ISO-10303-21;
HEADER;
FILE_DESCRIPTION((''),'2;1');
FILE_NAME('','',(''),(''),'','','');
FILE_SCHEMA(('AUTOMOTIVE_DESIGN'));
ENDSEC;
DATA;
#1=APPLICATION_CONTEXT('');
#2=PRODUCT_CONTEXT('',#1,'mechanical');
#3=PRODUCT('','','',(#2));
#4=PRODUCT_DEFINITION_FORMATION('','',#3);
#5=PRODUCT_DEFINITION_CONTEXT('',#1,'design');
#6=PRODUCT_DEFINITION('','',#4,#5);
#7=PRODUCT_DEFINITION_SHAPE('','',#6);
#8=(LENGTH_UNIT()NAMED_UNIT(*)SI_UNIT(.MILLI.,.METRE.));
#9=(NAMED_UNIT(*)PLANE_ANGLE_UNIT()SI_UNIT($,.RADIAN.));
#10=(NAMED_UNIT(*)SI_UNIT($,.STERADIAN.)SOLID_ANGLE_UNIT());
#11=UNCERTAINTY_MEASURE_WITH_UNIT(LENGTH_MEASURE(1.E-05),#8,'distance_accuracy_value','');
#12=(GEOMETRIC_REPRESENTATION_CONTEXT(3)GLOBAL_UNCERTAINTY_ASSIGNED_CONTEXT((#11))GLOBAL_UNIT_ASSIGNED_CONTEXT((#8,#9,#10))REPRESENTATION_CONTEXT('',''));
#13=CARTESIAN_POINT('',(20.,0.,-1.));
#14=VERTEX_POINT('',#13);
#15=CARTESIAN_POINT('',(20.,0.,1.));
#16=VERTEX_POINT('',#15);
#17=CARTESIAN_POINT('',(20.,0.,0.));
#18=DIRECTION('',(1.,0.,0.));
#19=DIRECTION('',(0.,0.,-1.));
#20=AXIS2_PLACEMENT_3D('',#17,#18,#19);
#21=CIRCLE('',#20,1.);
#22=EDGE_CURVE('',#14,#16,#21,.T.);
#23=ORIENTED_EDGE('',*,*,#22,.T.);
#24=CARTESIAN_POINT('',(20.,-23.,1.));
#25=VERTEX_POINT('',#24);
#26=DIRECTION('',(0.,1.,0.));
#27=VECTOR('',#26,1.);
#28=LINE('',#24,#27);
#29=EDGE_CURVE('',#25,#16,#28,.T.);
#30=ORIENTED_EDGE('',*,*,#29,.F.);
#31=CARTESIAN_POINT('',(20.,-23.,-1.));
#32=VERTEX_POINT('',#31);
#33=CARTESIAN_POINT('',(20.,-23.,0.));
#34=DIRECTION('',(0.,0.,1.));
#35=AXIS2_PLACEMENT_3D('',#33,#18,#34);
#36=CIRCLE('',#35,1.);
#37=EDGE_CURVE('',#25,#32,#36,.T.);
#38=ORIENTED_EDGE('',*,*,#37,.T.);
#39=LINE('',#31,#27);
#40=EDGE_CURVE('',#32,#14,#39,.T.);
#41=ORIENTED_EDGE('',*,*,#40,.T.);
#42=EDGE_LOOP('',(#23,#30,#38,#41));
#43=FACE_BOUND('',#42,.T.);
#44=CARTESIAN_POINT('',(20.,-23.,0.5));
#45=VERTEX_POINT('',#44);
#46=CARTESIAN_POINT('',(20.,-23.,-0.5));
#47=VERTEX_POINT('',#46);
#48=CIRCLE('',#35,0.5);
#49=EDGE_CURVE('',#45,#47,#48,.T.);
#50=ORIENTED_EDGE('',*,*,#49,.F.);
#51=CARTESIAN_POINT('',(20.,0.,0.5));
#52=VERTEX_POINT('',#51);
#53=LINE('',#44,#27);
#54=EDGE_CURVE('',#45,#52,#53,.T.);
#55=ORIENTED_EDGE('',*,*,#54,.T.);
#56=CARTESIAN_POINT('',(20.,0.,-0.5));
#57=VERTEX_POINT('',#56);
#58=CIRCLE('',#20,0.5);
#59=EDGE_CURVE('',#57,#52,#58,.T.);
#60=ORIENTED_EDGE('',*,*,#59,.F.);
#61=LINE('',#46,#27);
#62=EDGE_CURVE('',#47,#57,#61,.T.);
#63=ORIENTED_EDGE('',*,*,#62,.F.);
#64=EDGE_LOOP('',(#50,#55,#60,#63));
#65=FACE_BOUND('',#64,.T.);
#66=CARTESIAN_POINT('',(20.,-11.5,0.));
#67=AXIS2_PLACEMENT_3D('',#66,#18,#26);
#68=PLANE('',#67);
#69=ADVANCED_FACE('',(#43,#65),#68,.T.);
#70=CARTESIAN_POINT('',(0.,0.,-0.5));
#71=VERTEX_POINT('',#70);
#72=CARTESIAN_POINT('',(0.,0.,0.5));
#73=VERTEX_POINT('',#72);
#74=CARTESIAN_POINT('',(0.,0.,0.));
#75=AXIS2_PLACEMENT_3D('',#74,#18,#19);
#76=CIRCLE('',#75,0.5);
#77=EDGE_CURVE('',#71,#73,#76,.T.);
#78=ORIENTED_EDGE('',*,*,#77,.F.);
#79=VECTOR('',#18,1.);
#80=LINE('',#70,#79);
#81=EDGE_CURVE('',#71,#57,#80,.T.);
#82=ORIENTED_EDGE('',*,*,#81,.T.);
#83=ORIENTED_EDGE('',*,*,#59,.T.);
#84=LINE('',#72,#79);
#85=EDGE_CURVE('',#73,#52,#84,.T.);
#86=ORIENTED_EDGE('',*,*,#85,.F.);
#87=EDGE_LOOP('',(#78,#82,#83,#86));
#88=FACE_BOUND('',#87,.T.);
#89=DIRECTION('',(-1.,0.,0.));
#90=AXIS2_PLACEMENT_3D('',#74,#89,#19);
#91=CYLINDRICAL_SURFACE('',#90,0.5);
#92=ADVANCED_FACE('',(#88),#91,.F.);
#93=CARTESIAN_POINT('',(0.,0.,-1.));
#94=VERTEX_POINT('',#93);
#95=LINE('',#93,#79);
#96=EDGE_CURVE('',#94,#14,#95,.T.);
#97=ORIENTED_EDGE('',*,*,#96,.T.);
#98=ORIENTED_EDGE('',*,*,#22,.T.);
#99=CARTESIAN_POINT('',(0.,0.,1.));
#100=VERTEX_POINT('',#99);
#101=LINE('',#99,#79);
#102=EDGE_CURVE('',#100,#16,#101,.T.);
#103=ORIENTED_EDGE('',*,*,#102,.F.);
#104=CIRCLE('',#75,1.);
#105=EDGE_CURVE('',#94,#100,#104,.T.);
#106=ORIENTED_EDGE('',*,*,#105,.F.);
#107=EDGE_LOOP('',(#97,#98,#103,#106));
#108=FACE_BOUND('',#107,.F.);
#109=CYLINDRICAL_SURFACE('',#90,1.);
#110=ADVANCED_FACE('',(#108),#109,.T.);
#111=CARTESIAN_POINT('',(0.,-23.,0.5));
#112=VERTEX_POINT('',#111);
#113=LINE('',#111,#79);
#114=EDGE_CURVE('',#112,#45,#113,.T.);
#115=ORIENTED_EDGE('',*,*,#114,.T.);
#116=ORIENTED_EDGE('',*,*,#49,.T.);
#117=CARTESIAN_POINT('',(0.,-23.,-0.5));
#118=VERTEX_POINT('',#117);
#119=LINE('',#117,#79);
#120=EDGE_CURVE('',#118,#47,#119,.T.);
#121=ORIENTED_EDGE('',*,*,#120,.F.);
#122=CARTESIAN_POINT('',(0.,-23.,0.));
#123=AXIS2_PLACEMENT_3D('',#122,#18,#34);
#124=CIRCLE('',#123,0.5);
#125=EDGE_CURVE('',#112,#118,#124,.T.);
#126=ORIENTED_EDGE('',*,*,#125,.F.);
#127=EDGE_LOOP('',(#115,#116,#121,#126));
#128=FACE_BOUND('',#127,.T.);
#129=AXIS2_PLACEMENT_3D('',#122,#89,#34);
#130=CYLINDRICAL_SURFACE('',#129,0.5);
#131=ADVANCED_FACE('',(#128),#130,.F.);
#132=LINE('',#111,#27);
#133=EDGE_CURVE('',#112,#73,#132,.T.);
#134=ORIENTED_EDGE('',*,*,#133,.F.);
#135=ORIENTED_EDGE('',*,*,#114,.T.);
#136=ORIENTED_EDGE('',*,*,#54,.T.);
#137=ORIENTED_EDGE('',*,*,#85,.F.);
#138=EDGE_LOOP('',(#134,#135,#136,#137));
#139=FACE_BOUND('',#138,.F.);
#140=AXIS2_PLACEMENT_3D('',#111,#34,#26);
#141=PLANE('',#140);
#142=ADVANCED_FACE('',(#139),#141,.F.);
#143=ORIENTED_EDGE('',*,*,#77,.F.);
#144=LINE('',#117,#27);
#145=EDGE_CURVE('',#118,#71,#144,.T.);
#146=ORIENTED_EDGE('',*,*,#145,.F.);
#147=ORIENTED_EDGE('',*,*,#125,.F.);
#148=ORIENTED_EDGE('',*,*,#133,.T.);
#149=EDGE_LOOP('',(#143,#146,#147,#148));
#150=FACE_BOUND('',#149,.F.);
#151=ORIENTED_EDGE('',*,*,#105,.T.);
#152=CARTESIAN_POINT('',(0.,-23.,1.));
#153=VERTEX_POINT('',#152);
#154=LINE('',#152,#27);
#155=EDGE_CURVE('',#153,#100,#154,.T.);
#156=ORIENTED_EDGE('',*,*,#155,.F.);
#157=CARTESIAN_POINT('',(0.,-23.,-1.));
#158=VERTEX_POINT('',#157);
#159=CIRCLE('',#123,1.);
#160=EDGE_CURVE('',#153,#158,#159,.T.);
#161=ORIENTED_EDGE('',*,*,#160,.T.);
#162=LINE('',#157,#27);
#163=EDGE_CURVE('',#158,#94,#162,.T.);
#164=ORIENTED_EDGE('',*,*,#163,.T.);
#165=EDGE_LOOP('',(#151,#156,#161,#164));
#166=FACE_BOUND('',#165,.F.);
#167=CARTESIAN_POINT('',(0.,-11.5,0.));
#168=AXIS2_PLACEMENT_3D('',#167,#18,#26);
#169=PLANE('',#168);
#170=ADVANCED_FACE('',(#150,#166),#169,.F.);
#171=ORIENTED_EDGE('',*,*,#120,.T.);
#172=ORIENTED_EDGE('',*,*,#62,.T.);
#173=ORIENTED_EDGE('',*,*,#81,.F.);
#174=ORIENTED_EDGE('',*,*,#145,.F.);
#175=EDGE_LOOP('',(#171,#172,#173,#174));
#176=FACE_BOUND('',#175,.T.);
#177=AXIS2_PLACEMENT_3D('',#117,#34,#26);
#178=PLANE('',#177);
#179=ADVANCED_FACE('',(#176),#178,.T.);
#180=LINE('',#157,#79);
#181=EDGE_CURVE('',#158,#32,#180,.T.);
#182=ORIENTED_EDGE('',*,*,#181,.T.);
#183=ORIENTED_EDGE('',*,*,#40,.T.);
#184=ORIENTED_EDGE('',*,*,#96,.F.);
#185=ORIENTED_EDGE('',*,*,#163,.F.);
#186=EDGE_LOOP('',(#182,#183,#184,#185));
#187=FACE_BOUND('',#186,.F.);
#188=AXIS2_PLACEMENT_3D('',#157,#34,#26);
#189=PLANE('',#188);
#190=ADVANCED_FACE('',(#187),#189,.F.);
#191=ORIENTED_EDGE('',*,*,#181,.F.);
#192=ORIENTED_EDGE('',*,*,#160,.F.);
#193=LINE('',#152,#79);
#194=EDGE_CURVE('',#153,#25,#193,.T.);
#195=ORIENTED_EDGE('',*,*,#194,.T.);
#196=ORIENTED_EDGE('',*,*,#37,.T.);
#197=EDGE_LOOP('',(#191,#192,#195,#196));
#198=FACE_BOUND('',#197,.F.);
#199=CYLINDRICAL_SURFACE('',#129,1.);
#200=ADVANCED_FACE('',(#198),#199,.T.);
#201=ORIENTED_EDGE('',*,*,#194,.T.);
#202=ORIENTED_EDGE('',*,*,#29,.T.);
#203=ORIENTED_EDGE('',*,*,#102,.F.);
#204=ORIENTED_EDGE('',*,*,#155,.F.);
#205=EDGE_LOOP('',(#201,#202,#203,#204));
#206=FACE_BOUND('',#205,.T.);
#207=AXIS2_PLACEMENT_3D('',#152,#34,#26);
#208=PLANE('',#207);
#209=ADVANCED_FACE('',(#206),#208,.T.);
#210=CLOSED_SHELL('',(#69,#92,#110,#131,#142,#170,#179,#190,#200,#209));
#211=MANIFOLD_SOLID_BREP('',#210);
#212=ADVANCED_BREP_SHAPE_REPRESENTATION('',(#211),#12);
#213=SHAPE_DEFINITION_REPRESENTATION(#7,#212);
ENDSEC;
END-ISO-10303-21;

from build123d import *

# Parameters (mm, degrees)
PAD_DEPTH = 20


with BuildPart() as part:
    # Sketch → Pad (new body)
    with BuildSketch(Plane.YZ):
        with BuildLine():
            Line((-23, -1), (0, -1))
            ThreePointArc((0, -1), (1, 0), (0, 1))
            Line((-23, 1), (0, 1))
            ThreePointArc((-23, 1), (-24, 0), (-23, -1))
        make_face()
        with BuildLine():
            Line((-23, -0.5), (0, -0.5))
            ThreePointArc((0, -0.5), (0.5, 0), (0, 0.5))
            Line((-23, 0.5), (0, 0.5))
            ThreePointArc((-23, 0.5), (-23.5, 0), (-23, -0.5))
        make_face(mode=Mode.SUBTRACT)
    extrude(amount=PAD_DEPTH)


solid = part.part
